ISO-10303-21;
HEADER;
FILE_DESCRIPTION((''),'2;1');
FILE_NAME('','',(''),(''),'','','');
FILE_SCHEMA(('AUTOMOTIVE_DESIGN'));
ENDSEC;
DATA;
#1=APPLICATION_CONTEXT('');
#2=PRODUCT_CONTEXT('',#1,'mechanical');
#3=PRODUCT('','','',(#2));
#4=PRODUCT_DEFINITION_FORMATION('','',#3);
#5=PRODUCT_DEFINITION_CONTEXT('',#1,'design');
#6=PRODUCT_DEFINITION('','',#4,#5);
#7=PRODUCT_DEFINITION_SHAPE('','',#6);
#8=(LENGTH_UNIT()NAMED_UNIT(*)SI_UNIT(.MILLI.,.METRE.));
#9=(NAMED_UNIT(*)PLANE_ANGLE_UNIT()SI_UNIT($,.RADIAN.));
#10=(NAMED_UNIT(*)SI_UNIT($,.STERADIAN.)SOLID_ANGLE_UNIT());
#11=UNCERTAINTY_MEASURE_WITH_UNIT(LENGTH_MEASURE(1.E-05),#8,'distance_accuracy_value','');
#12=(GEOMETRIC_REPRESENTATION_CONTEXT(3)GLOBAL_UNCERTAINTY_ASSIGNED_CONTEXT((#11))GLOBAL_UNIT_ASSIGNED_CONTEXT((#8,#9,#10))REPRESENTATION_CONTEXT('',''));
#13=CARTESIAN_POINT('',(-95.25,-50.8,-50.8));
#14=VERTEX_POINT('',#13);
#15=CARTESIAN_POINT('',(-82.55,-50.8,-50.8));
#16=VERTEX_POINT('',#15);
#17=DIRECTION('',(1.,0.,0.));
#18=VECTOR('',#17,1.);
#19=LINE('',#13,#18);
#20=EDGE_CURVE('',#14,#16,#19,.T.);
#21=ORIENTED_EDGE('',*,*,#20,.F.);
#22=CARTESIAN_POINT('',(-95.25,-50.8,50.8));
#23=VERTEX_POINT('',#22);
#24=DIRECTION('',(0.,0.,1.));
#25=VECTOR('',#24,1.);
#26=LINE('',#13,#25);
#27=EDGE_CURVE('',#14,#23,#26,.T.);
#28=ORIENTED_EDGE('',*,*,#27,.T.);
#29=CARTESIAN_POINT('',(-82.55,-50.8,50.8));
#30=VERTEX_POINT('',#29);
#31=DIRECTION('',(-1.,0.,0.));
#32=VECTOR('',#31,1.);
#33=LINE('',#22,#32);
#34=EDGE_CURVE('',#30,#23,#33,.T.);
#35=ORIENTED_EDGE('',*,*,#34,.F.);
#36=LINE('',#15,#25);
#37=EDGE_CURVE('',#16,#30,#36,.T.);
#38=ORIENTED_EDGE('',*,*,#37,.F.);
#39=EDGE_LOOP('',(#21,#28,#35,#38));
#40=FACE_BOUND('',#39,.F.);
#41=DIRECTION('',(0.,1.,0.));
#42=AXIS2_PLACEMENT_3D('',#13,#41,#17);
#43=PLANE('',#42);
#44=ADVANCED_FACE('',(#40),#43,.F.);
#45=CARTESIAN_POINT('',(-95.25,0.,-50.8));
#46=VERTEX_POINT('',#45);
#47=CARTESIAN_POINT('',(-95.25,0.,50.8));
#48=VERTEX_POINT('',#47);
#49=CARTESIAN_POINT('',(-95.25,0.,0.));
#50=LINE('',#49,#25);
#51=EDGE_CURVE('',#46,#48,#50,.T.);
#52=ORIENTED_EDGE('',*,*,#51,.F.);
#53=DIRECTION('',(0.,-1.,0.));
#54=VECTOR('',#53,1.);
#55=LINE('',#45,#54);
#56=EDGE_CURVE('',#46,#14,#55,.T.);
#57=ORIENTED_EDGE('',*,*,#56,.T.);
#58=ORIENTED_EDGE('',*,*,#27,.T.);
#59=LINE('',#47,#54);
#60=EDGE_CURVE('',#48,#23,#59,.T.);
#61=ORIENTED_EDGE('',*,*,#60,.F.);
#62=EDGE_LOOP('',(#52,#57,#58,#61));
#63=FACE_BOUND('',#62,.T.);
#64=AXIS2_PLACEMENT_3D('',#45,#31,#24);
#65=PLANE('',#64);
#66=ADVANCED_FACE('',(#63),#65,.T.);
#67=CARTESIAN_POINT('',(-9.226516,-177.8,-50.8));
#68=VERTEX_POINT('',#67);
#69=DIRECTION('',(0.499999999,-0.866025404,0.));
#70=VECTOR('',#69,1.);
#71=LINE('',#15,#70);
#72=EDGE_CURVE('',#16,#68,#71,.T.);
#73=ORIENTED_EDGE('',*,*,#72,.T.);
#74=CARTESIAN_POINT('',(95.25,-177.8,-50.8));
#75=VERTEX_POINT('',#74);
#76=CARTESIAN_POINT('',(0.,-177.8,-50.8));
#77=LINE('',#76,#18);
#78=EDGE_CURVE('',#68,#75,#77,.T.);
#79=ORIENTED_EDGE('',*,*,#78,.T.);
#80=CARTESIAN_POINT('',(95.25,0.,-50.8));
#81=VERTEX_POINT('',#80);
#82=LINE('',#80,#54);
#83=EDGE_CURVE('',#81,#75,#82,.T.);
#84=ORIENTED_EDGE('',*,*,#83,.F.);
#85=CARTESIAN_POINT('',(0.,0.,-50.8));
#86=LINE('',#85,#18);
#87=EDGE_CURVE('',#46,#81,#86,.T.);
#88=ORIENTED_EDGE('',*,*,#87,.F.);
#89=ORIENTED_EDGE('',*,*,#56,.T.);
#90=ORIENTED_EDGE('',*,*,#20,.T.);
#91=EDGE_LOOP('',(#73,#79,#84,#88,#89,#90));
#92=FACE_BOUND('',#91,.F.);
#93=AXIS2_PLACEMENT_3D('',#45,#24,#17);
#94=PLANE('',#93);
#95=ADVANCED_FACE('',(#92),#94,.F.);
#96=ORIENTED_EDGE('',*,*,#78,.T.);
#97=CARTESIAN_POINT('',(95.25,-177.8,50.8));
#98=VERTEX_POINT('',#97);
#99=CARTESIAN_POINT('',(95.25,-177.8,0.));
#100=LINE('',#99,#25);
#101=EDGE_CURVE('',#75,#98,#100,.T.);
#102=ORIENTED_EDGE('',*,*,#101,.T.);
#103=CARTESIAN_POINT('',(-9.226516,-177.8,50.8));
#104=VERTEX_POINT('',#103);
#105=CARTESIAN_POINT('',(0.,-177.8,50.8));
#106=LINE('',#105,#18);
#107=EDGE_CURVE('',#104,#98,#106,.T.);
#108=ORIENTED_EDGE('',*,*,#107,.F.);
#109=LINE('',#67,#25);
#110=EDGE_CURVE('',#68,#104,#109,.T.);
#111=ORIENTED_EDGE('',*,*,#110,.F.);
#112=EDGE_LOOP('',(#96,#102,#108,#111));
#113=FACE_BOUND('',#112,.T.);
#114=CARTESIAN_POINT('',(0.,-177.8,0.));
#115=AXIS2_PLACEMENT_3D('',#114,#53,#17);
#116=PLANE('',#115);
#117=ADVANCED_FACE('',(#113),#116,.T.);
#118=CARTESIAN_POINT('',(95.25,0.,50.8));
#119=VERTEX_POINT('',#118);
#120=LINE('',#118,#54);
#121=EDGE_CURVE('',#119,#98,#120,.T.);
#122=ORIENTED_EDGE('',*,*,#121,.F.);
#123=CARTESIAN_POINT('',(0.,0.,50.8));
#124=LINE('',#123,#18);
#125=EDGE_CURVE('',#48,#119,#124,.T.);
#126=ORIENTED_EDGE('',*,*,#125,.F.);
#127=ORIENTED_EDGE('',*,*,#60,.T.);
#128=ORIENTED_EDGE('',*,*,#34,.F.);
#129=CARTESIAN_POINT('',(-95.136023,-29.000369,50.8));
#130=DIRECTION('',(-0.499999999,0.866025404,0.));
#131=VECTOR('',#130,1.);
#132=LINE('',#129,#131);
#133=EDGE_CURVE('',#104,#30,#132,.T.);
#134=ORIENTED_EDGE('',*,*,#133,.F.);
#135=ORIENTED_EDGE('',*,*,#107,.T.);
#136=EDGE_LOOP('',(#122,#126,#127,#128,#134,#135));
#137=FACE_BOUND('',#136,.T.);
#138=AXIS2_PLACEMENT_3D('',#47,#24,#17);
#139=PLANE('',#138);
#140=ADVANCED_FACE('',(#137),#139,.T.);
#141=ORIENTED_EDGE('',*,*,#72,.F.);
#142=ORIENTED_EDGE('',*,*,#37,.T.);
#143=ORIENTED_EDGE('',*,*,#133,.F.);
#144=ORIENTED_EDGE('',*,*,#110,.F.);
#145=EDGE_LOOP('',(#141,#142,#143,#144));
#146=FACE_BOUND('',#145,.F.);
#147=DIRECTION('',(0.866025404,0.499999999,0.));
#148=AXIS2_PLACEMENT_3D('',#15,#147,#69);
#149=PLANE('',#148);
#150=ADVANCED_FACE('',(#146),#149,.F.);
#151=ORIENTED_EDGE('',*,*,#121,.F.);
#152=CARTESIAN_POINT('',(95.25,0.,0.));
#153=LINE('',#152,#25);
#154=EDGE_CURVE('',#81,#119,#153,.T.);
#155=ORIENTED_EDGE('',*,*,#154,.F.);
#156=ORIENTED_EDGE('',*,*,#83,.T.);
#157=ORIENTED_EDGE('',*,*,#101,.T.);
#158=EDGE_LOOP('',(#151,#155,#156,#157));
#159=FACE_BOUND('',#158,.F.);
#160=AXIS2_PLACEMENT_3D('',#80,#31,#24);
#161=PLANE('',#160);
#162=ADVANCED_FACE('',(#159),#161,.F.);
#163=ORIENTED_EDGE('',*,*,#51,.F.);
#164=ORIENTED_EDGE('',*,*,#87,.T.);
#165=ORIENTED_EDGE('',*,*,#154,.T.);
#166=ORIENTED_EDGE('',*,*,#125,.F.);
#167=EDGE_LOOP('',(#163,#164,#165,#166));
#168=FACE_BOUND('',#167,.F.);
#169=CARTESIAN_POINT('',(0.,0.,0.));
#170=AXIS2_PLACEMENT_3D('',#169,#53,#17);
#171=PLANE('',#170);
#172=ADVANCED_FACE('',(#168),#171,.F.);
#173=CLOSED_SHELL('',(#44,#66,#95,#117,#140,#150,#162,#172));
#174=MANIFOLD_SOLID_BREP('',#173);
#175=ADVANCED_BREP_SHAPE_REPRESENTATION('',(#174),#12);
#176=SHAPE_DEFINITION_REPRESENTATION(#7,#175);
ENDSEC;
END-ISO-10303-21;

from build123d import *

# Parameters (mm, degrees)
F0_W     = 190.5
F0_H     = 101.6
F1_DEPTH = 177.8
F3_DEPTH = 101.601


with BuildPart() as f1:
    # F0 (on Front) → F1 (new body)
    with BuildSketch(Plane.XZ):
        Rectangle(F0_W, F0_H)
    extrude(amount=F1_DEPTH)

    # F2 (on face) → F3 (cut, through all)
    with BuildSketch(Plane(origin=(0, 0, -50.8), x_dir=(1, 0, 0), z_dir=(0, 0, -1))):
        Polygon((-95.25, 177.8), (-95.25, 50.8), (-82.55, 50.8), (-9.226516, 177.8), align=None)
    extrude(amount=-F3_DEPTH, mode=Mode.SUBTRACT)


solid = f1.part
